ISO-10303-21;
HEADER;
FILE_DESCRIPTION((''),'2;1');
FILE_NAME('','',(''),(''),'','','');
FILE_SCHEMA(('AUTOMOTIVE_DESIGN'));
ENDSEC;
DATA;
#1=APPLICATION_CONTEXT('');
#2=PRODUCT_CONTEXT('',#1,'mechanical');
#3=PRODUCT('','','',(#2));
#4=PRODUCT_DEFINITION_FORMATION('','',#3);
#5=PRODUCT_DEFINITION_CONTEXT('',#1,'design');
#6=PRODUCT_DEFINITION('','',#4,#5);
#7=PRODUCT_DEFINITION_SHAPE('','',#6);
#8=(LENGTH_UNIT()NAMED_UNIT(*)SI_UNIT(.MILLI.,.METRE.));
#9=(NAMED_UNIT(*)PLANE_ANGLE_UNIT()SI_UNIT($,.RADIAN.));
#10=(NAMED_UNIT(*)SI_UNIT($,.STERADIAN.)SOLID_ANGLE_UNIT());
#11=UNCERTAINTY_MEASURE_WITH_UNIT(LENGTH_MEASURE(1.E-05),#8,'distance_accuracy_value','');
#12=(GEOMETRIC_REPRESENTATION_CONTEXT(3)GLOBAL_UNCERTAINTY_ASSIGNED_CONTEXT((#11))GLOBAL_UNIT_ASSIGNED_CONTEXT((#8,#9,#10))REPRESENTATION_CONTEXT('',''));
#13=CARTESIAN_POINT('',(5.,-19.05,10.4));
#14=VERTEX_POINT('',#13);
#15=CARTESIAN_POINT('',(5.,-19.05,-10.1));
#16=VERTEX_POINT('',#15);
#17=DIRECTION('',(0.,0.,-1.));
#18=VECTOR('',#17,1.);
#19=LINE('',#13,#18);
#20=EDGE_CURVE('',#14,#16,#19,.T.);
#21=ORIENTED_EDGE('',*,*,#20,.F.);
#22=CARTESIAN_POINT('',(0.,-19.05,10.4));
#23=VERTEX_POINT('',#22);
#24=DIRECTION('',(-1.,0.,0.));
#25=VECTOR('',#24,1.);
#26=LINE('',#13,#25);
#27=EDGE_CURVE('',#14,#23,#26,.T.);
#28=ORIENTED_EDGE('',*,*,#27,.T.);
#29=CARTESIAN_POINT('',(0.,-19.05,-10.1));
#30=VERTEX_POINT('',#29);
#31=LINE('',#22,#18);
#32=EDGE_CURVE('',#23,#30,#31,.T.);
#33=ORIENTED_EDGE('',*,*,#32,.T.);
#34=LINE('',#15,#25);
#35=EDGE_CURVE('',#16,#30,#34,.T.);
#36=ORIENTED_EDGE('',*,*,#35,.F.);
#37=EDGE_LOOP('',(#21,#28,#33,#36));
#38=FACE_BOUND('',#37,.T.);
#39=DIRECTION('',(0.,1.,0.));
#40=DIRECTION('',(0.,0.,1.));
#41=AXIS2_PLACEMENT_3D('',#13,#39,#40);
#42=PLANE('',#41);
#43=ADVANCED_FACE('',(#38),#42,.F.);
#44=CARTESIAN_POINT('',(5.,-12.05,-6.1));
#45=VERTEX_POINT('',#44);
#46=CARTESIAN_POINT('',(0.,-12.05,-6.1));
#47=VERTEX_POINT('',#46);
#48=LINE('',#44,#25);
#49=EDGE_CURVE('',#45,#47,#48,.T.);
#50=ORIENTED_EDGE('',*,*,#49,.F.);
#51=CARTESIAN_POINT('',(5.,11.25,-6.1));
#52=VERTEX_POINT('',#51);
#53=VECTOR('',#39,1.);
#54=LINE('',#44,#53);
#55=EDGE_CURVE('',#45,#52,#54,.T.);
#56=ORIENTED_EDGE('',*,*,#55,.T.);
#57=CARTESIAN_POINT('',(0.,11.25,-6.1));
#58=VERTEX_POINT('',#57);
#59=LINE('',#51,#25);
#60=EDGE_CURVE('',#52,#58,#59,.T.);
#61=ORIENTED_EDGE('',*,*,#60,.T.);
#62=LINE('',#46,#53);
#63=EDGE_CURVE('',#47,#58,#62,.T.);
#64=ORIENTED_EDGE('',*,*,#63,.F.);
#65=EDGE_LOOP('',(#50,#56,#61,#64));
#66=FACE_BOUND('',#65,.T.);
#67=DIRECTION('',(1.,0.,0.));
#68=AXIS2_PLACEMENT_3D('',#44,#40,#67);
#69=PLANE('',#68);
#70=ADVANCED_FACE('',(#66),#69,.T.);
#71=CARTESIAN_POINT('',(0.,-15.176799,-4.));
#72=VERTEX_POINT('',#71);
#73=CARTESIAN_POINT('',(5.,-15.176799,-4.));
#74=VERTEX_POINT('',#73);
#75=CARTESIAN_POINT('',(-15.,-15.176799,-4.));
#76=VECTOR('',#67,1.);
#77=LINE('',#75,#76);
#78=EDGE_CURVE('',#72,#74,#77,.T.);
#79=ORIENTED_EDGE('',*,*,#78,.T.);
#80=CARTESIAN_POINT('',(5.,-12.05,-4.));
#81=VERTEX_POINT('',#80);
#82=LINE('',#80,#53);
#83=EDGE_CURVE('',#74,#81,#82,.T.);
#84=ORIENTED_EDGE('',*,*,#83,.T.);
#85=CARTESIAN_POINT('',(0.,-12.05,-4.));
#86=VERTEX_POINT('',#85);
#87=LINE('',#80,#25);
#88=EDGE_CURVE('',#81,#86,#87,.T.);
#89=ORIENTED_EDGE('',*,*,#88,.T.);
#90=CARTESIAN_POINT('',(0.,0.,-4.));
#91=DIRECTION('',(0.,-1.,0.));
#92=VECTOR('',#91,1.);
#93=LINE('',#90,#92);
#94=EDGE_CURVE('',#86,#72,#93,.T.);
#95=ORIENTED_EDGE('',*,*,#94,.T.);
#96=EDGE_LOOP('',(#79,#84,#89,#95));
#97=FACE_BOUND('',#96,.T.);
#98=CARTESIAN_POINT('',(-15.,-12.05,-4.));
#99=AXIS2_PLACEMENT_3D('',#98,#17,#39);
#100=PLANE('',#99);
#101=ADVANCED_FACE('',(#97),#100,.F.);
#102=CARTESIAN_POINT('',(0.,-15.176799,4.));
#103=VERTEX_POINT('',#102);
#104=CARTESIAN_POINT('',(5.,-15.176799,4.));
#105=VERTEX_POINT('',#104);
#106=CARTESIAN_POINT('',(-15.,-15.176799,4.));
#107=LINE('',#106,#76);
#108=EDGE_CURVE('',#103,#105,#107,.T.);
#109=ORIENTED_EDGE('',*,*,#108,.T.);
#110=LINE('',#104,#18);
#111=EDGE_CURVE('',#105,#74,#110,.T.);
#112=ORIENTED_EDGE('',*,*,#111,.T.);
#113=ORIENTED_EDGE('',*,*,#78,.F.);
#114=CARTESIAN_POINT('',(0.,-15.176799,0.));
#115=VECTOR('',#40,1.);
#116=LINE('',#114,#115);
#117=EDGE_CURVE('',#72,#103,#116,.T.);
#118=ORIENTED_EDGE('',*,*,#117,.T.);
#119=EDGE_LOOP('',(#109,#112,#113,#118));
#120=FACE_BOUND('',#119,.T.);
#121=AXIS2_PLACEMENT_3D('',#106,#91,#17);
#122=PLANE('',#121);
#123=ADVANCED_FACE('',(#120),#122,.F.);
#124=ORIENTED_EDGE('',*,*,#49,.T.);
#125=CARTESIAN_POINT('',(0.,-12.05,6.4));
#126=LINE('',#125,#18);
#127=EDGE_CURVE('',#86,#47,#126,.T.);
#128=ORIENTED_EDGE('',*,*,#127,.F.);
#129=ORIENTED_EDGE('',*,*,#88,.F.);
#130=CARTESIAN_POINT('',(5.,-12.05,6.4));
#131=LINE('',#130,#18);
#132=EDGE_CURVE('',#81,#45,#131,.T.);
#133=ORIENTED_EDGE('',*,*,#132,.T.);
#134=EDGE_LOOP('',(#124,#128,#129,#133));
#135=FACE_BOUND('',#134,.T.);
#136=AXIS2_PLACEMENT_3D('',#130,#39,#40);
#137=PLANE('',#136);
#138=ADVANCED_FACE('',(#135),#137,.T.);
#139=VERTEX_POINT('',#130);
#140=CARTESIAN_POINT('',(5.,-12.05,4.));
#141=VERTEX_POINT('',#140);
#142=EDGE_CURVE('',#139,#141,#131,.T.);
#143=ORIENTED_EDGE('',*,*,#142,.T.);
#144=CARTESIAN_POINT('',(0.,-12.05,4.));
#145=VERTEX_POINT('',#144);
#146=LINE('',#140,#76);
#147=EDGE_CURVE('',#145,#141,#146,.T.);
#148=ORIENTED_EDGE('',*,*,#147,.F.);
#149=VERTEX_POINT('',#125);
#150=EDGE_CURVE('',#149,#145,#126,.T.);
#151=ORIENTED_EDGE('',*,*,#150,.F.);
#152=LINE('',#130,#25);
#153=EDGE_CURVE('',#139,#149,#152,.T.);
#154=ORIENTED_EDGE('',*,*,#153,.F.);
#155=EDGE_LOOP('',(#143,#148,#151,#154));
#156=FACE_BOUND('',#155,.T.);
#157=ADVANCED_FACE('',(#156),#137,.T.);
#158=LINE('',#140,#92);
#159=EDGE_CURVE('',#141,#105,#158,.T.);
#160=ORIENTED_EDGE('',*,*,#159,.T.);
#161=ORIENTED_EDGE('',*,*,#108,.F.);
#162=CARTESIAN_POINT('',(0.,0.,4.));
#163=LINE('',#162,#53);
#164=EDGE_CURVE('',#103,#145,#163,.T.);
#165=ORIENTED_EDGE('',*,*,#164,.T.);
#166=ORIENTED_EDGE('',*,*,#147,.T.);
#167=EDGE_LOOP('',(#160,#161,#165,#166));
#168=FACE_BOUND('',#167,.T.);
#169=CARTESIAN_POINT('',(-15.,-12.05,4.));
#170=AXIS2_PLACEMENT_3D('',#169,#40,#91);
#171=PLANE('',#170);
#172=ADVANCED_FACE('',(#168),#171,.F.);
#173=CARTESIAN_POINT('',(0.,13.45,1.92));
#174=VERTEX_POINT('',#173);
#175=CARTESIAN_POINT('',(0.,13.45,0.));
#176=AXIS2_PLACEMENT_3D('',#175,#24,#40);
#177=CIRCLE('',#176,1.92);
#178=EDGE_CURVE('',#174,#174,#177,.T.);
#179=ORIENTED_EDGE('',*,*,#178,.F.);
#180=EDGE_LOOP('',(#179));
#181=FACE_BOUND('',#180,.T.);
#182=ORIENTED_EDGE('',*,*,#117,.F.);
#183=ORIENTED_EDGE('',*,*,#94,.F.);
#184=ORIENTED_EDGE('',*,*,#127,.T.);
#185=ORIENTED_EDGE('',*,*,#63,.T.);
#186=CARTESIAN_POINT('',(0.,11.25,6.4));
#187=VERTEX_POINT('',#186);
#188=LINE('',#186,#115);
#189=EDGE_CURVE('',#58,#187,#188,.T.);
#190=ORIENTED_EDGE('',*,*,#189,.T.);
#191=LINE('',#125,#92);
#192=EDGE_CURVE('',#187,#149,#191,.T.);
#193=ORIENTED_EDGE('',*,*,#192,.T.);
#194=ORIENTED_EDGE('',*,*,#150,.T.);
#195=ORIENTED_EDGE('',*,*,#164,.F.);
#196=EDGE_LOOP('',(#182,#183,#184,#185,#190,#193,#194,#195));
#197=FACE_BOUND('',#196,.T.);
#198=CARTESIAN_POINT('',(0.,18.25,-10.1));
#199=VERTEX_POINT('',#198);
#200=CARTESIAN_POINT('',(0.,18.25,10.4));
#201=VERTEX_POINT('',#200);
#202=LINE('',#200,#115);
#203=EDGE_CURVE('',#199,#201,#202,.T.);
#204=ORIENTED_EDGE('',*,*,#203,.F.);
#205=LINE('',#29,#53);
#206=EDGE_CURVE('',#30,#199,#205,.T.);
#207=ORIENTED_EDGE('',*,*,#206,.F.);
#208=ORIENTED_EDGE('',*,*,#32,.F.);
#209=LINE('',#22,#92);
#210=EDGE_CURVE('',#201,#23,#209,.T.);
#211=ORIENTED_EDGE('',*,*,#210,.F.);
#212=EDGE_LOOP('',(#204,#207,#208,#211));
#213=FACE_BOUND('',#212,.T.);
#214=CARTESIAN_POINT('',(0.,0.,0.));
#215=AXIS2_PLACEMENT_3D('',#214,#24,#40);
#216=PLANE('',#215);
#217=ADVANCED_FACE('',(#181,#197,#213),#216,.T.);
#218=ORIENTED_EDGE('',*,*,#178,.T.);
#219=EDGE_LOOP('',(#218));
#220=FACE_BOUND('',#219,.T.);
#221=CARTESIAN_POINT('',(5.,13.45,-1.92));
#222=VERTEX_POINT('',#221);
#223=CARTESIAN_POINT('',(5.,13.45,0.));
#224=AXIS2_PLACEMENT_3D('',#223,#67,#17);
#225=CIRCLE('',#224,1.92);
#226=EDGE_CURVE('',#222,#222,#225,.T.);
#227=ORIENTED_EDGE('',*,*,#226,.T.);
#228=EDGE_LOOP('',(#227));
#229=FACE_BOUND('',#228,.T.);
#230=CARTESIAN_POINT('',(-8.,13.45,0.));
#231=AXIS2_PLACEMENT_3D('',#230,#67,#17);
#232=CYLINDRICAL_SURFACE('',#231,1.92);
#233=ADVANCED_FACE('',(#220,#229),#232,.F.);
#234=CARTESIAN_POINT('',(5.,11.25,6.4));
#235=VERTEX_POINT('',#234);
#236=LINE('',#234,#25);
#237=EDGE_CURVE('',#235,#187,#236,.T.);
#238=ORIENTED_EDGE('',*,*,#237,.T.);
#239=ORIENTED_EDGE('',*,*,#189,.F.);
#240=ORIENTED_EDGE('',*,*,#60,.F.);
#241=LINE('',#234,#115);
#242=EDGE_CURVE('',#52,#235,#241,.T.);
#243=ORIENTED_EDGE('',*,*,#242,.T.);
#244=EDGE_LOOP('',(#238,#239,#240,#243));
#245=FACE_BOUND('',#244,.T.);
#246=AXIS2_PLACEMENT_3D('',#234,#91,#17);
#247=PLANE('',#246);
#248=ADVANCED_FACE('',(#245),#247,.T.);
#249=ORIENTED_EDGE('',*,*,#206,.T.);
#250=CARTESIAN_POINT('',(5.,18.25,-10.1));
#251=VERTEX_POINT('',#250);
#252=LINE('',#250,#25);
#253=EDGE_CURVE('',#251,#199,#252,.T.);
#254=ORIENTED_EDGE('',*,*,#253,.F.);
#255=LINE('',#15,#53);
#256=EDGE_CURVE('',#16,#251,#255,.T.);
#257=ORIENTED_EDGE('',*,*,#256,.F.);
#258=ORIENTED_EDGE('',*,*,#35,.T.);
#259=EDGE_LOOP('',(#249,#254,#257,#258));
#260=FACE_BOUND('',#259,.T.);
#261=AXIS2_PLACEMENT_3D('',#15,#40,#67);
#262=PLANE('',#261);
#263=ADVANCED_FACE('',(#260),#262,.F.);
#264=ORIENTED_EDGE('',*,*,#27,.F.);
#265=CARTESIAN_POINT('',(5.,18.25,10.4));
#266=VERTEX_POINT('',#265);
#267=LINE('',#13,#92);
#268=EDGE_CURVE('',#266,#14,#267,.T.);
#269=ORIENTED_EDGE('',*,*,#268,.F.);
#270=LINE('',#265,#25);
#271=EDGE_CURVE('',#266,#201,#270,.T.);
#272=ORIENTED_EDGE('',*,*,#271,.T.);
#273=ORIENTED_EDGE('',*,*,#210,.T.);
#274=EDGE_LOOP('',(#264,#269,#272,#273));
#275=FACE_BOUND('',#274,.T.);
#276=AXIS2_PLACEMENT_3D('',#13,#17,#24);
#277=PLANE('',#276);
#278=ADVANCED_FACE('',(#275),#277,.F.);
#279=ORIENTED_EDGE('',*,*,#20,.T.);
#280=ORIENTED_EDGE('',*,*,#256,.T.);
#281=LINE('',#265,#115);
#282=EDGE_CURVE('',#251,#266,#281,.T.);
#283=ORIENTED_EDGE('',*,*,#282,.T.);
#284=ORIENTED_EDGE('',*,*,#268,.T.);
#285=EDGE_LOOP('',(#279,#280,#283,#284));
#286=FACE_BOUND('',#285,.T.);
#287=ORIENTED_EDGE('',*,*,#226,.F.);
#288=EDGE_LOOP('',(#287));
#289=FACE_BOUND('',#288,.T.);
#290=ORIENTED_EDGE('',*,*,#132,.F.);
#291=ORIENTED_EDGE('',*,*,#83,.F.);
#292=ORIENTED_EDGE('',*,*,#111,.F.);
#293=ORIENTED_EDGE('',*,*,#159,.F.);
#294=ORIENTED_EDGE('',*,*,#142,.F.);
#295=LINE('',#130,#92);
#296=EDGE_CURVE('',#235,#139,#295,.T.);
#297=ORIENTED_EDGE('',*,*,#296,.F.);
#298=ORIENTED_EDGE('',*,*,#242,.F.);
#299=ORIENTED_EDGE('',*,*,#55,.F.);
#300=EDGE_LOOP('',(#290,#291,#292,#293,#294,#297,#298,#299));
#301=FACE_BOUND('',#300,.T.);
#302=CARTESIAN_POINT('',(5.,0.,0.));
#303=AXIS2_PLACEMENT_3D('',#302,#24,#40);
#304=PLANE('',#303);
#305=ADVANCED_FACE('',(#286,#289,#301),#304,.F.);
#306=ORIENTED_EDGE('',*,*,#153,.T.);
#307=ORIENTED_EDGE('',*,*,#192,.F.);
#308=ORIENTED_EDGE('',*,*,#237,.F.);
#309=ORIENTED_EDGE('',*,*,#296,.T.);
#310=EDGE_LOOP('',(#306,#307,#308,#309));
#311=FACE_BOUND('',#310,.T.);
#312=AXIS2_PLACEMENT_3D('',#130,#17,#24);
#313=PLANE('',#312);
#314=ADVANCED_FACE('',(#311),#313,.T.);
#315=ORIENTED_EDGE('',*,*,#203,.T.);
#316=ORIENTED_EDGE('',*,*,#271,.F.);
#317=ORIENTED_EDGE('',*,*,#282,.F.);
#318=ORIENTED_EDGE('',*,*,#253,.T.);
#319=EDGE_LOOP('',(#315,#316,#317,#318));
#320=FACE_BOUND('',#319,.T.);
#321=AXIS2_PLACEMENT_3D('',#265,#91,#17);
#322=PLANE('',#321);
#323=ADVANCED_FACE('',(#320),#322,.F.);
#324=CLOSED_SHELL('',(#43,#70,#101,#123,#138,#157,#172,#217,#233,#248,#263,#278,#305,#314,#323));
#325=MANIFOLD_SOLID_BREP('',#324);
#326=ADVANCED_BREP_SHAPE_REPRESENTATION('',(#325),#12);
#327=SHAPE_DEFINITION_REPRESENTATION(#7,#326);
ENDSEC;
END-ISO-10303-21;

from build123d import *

# Parameters (mm, degrees)
SKETCH1_W           = 20.5
SKETCH1_H           = 37.3
SKETCH1_W_2         = 12.5
SKETCH1_H_2         = 23.3
BOSS_EXTRUDE1_DEPTH = 5
SKETCH2_R           = 1.92
CUT_EXTRUDE1_DEPTH  = 13
SKETCH4_W           = 8
SKETCH4_H           = 3.126799126
CUT_EXTRUDE3_DEPTH  = 20


with BuildPart() as part:
    # Sketch1 → Boss-Extrude1 (new body)
    with BuildSketch(Plane(origin=(0, 0, 0), x_dir=(0, 0, -1), z_dir=(1, 0, 0))):
        with Locations((-0.15, -0.4)):
            Rectangle(SKETCH1_W, SKETCH1_H)
        with Locations((-0.15, -0.4)):
            Rectangle(SKETCH1_W_2, SKETCH1_H_2, mode=Mode.SUBTRACT)
    extrude(amount=BOSS_EXTRUDE1_DEPTH)

    # Sketch2 → Cut-Extrude1 (cut)
    with BuildSketch(Plane(origin=(5, 0, 0), x_dir=(0, 0, -1), z_dir=(1, 0, 0))):
        with Locations((0, 13.45)):
            Circle(SKETCH2_R)
    extrude(amount=-CUT_EXTRUDE1_DEPTH, mode=Mode.SUBTRACT)

    # Sketch4 → Cut-Extrude3 (cut)
    with BuildSketch(Plane(origin=(5, 0, 0), x_dir=(0, 0, -1), z_dir=(1, 0, 0))):
        with Locations((0, -13.613399563)):
            Rectangle(SKETCH4_W, SKETCH4_H)
    extrude(amount=-CUT_EXTRUDE3_DEPTH, mode=Mode.SUBTRACT)


solid = part.part
